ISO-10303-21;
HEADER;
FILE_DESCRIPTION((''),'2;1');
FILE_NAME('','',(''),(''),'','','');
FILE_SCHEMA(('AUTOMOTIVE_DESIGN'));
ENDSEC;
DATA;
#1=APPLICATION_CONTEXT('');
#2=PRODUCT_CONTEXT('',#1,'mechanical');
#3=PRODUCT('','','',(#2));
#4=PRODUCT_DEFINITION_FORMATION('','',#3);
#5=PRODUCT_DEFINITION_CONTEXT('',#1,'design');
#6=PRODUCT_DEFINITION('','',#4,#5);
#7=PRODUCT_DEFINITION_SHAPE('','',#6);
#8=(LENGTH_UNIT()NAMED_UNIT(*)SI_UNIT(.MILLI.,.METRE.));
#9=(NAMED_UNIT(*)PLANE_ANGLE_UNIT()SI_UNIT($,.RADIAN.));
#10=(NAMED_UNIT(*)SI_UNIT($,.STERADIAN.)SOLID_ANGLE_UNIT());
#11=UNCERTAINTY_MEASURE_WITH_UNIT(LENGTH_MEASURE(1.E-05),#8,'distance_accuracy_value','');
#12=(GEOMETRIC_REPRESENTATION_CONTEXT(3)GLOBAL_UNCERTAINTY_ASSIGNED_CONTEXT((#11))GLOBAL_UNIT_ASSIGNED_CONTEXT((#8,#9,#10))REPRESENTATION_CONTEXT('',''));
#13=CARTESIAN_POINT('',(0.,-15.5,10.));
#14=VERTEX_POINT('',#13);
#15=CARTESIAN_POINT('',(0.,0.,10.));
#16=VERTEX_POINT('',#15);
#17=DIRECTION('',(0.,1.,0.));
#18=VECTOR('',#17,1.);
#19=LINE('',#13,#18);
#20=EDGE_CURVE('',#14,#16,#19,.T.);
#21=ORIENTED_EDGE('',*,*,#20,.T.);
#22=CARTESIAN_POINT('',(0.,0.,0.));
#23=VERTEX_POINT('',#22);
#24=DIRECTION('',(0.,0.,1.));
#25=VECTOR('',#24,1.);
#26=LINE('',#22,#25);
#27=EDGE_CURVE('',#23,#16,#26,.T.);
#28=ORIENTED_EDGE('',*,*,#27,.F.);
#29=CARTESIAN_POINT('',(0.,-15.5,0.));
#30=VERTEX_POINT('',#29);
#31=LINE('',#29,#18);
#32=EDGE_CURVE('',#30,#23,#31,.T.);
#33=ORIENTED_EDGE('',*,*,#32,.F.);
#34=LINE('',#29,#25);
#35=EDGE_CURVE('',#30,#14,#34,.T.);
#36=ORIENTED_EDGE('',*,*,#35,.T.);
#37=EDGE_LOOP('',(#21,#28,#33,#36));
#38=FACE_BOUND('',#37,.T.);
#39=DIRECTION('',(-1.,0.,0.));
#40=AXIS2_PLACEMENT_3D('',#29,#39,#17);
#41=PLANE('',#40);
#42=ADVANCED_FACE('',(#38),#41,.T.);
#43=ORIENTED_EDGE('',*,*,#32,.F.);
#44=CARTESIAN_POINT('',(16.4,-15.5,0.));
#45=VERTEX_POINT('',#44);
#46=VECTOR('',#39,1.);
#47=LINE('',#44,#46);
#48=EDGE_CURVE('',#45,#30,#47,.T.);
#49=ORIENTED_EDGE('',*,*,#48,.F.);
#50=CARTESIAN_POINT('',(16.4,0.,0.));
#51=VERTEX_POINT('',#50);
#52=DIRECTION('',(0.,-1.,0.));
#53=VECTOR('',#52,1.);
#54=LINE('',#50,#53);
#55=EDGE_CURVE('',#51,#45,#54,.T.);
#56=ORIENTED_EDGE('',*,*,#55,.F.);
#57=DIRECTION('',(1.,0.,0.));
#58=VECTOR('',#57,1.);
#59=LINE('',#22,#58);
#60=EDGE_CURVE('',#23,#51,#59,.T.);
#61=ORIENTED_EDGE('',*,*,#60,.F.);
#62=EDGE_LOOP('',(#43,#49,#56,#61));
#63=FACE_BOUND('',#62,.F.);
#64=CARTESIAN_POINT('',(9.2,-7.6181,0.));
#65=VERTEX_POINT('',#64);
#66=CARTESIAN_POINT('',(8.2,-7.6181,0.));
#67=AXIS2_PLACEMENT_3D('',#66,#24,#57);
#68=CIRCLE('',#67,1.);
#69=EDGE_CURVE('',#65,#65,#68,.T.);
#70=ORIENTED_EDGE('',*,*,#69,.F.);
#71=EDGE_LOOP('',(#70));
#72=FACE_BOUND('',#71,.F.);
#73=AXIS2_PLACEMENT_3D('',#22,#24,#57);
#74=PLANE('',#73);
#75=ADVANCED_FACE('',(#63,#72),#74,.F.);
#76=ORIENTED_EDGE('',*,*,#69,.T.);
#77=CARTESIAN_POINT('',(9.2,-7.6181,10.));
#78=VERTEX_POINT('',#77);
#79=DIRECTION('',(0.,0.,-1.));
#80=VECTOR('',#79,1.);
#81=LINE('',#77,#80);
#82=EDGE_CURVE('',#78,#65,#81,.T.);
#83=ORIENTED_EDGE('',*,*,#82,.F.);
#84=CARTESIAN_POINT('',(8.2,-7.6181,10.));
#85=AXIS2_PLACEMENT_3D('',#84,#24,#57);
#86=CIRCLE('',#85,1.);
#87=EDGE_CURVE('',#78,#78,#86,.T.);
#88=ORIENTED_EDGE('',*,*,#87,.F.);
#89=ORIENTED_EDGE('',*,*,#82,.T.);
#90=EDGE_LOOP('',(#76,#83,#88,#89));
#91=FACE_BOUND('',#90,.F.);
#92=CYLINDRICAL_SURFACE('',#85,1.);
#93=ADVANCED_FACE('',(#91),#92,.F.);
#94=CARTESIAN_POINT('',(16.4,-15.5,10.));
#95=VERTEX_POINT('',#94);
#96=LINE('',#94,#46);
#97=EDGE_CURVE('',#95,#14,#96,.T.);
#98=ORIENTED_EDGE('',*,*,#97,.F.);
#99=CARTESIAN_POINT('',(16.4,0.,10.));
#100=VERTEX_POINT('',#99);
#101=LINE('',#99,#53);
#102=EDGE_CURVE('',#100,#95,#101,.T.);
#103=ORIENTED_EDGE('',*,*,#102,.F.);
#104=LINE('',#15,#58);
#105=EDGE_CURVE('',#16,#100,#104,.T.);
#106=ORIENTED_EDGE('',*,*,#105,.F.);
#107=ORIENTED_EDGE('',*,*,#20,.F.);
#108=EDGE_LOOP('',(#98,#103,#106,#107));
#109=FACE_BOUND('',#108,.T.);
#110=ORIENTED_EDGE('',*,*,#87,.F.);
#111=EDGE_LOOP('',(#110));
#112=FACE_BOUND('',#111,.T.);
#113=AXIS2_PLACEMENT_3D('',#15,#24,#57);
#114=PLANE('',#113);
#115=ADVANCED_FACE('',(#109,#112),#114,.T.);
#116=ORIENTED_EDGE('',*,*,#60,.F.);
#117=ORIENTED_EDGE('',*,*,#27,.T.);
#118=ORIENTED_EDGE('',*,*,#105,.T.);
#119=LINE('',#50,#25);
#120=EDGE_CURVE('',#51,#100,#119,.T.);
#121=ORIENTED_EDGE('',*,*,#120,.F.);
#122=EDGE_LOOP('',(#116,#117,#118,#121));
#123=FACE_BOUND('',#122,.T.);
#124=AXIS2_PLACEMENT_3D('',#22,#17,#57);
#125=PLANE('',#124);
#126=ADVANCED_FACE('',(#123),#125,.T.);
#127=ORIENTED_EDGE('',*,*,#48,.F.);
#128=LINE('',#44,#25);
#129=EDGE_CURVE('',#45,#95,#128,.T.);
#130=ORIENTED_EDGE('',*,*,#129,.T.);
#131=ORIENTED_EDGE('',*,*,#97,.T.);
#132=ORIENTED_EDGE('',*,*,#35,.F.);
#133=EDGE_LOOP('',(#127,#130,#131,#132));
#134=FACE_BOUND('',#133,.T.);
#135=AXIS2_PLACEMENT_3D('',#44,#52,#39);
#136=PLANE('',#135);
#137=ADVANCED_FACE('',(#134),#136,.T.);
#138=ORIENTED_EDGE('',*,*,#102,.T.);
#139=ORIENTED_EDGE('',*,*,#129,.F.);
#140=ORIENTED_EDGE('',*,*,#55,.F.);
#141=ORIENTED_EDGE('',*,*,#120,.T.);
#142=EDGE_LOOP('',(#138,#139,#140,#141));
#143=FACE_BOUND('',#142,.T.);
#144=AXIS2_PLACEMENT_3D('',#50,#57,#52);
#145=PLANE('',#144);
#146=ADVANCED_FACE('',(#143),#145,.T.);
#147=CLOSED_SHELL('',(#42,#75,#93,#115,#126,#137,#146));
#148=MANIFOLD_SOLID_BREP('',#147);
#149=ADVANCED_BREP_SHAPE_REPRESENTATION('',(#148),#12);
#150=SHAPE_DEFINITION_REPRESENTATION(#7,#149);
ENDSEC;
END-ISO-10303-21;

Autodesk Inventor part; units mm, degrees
ref_plane "YZ Plane" through (0, 0, 0) normal (1, 0, 0) x (0, 1, 0)
ref_plane "XZ Plane" through (0, 0, 0) normal (0, 1, 0) x (-1, 0, 0)
ref_plane "XY Plane" through (0, 0, 0) normal (0, 0, 1) x (1, 0, 0)
sketch "Sketch1" plane through (0, 0, 0) normal (0, 0, 1) x (1, 0, 0)
  point P0 (0, 0)
sketch "Sketch2" plane through (0, 0, 0) normal (0, 0, 1) x (1, 0, 0)
  line L0 (0, 0) -> (16.4, 0)
  line L1 (16.4, 0) -> (16.4, -15.5)
  line L2 (16.4, -15.5) -> (0, -15.5)
  line L3 (0, -15.5) -> (0, 0)
  dimension "d0" = 16.4
  dimension "d1" = 15.5
extrude "Extrusion1" add sketch "Sketch2" along normal blind 10
sketch "Sketch3" plane through (0, 0, 10) normal (0, 0, 1) x (1, 0, 0)
  circle A0 centre (8.2, -7.6181) radius 1
  point P0 (0, 0)
  dimension "d4" = 2
extrude "Extrusion2" cut sketch "Sketch3" against normal through all
properties part number "PCB_cutting_block_v01"
